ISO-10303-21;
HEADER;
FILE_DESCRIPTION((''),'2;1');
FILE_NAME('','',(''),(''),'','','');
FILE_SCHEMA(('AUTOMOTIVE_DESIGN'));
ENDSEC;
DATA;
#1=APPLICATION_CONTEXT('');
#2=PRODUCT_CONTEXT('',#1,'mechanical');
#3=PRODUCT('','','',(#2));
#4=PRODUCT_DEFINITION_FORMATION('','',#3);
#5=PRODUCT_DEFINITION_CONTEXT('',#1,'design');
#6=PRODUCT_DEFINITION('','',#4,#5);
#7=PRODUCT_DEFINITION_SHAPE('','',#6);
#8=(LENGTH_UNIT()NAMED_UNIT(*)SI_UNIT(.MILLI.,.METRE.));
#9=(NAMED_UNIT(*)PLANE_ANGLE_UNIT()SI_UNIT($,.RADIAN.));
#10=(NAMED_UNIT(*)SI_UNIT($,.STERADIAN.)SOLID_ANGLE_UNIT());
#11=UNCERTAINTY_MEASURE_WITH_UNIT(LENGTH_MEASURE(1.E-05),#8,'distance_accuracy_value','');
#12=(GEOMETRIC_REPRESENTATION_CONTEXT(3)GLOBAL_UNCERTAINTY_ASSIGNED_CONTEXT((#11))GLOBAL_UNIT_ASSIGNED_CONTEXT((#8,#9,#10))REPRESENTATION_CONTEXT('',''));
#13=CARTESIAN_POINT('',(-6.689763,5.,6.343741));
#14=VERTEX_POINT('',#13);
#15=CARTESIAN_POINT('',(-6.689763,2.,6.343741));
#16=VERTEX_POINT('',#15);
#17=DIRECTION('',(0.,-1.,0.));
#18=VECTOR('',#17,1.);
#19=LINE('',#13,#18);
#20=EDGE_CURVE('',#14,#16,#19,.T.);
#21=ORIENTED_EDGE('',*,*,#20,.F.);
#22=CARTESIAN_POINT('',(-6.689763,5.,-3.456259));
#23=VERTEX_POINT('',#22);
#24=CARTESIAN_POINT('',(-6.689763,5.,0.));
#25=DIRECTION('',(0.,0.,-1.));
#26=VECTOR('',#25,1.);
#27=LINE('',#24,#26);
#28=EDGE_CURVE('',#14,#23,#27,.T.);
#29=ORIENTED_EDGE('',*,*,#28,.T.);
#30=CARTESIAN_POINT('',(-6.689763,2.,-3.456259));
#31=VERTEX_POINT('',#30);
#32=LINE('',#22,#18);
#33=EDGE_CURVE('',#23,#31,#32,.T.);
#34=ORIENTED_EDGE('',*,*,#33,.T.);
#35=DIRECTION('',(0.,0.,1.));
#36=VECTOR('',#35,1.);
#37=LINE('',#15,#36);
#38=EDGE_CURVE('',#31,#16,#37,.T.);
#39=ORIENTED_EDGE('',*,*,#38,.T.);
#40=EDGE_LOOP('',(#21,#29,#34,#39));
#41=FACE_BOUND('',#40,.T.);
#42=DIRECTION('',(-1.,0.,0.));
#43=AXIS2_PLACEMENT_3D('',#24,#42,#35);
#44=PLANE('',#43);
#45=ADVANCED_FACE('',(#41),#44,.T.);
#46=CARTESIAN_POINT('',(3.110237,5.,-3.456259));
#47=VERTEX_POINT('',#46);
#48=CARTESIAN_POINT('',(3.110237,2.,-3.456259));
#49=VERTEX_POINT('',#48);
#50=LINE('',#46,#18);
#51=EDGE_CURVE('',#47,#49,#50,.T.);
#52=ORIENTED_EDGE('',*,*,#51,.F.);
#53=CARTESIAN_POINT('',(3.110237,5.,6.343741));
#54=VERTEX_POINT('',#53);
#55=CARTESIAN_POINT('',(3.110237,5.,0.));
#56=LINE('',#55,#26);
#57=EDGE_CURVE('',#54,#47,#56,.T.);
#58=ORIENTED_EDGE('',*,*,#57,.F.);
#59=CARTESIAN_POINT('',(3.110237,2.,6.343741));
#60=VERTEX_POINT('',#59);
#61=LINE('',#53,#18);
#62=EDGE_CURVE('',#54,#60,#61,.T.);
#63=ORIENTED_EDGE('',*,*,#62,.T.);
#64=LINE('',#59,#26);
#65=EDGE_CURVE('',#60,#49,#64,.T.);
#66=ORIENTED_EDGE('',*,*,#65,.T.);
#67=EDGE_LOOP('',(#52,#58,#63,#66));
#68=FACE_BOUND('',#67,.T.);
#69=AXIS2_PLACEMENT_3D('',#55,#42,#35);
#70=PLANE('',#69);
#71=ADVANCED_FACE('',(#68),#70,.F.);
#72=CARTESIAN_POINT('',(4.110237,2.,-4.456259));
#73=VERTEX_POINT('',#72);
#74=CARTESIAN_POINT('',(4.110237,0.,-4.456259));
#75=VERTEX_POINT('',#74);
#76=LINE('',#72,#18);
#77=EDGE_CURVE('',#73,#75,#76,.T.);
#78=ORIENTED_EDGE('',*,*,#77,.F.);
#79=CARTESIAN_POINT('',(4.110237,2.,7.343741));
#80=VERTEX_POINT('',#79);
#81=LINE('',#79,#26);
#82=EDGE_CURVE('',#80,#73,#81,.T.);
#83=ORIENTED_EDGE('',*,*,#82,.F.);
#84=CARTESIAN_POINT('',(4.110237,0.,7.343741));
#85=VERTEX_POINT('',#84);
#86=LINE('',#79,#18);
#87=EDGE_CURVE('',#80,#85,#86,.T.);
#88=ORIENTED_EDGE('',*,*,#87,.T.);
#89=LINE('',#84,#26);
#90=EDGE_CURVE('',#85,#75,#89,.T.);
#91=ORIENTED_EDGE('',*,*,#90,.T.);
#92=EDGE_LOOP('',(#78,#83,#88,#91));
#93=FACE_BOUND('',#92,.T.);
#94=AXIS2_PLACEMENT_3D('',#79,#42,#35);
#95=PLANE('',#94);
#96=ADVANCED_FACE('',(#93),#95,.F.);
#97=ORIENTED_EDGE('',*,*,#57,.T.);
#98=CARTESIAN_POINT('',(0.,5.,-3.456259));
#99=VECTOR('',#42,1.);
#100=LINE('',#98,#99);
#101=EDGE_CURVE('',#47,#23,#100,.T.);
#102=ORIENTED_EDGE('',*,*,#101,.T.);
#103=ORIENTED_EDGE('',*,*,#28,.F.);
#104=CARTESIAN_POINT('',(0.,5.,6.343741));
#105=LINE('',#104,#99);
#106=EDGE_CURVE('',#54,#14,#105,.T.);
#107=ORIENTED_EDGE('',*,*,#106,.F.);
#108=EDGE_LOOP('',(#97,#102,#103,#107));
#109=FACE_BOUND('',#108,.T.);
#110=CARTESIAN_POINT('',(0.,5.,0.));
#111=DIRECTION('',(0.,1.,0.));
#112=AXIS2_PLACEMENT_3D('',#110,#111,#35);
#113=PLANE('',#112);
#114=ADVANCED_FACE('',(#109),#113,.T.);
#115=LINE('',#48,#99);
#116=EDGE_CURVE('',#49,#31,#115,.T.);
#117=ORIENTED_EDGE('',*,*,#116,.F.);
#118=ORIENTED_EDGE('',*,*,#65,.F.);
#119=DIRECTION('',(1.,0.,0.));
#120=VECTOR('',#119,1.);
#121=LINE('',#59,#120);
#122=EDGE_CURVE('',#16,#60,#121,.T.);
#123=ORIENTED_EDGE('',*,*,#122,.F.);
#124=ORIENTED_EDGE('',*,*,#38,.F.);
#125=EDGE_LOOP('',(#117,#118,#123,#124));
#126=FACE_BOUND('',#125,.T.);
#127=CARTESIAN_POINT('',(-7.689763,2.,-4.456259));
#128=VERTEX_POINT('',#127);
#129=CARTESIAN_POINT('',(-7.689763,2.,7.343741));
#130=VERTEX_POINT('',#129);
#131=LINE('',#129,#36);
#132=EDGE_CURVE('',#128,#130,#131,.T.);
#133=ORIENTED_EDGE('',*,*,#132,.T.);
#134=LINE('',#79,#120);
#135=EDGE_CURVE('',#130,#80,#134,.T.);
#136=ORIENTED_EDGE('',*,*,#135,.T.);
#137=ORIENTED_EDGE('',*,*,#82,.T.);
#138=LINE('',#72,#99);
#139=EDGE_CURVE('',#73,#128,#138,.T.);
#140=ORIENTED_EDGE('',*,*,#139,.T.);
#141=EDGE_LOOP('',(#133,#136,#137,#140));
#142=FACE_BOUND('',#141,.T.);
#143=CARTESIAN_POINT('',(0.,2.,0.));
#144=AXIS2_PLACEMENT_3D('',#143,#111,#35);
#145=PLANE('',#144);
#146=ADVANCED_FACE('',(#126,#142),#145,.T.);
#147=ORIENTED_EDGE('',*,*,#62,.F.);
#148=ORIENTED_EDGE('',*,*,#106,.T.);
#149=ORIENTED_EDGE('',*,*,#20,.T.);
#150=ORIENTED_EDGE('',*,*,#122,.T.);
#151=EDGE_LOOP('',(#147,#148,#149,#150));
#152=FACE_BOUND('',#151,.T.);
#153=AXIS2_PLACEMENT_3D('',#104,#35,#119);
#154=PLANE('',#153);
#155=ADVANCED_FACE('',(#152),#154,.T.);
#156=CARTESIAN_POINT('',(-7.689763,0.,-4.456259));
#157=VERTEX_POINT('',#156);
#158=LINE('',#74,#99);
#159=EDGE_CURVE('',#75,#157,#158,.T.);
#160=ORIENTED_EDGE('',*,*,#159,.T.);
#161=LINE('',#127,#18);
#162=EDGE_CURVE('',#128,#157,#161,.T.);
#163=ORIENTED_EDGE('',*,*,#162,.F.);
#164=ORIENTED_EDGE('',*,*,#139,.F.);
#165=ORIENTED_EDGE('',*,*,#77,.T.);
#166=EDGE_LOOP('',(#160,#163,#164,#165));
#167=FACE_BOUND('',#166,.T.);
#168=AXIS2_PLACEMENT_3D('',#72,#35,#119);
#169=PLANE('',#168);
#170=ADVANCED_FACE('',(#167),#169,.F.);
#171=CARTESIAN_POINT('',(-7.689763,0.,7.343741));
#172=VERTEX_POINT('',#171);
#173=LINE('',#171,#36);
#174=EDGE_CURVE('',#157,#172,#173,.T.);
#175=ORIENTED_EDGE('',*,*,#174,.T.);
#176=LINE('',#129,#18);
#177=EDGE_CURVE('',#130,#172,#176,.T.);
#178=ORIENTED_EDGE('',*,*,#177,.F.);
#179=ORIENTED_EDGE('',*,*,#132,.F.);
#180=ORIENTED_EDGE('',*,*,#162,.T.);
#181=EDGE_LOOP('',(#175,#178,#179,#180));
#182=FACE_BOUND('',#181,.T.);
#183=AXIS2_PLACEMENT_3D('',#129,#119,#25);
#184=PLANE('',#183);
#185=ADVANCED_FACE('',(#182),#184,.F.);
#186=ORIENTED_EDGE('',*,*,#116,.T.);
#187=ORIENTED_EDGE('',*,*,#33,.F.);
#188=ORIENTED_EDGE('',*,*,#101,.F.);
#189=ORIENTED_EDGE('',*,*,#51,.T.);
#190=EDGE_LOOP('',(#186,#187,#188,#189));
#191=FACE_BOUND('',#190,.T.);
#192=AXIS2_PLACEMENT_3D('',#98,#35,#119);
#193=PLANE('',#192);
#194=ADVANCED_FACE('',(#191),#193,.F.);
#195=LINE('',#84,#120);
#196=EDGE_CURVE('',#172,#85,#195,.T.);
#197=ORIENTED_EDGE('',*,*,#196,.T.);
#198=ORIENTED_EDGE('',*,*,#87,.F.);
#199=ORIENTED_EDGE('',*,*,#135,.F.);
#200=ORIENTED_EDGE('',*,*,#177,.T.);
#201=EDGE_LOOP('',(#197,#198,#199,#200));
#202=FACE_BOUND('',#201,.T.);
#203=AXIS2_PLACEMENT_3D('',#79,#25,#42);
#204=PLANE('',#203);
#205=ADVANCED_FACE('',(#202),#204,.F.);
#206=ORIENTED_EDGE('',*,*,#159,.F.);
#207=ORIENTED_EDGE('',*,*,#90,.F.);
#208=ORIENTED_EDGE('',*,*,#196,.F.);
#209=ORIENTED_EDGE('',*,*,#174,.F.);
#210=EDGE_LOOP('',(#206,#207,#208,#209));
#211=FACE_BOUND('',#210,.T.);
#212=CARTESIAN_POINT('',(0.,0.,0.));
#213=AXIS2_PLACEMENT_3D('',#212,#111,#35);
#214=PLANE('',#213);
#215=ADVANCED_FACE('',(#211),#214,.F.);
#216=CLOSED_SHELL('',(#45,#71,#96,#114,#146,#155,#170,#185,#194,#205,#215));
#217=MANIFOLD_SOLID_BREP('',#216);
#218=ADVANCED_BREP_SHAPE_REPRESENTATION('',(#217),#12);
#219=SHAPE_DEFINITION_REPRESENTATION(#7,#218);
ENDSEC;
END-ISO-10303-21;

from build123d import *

# Parameters (mm, degrees)
SKETCH1_W           = 9.8
SKETCH1_H           = 9.8
BOSS_EXTRUDE4_DEPTH = 5
SKETCH1_4_W         = 11.8
SKETCH1_4_H         = 11.8
SKETCH1_4_W_2       = 9.8
SKETCH1_4_H_2       = 9.8
BOSS_EXTRUDE5_DEPTH = 2


with BuildPart() as part:
    # Sketch1 → Boss-Extrude4 (new body)
    with BuildSketch(Plane(origin=(0, 0, 0), x_dir=(1, 0, 0), z_dir=(0, 1, 0))):
        with Locations((-1.789763059, -1.443740832)):
            Rectangle(SKETCH1_W, SKETCH1_H)
    extrude(amount=BOSS_EXTRUDE4_DEPTH)

    # Sketch1<4> → Boss-Extrude5 (add)
    with BuildSketch(Plane(origin=(0, 0, 0), x_dir=(1, 0, 0), z_dir=(0, 1, 0))):
        with Locations((-1.789763059, -1.443740832)):
            Rectangle(SKETCH1_4_W, SKETCH1_4_H)
        with Locations((-1.789763059, -1.443740832)):
            Rectangle(SKETCH1_4_W_2, SKETCH1_4_H_2, mode=Mode.SUBTRACT)
    extrude(amount=BOSS_EXTRUDE5_DEPTH)


solid = part.part
